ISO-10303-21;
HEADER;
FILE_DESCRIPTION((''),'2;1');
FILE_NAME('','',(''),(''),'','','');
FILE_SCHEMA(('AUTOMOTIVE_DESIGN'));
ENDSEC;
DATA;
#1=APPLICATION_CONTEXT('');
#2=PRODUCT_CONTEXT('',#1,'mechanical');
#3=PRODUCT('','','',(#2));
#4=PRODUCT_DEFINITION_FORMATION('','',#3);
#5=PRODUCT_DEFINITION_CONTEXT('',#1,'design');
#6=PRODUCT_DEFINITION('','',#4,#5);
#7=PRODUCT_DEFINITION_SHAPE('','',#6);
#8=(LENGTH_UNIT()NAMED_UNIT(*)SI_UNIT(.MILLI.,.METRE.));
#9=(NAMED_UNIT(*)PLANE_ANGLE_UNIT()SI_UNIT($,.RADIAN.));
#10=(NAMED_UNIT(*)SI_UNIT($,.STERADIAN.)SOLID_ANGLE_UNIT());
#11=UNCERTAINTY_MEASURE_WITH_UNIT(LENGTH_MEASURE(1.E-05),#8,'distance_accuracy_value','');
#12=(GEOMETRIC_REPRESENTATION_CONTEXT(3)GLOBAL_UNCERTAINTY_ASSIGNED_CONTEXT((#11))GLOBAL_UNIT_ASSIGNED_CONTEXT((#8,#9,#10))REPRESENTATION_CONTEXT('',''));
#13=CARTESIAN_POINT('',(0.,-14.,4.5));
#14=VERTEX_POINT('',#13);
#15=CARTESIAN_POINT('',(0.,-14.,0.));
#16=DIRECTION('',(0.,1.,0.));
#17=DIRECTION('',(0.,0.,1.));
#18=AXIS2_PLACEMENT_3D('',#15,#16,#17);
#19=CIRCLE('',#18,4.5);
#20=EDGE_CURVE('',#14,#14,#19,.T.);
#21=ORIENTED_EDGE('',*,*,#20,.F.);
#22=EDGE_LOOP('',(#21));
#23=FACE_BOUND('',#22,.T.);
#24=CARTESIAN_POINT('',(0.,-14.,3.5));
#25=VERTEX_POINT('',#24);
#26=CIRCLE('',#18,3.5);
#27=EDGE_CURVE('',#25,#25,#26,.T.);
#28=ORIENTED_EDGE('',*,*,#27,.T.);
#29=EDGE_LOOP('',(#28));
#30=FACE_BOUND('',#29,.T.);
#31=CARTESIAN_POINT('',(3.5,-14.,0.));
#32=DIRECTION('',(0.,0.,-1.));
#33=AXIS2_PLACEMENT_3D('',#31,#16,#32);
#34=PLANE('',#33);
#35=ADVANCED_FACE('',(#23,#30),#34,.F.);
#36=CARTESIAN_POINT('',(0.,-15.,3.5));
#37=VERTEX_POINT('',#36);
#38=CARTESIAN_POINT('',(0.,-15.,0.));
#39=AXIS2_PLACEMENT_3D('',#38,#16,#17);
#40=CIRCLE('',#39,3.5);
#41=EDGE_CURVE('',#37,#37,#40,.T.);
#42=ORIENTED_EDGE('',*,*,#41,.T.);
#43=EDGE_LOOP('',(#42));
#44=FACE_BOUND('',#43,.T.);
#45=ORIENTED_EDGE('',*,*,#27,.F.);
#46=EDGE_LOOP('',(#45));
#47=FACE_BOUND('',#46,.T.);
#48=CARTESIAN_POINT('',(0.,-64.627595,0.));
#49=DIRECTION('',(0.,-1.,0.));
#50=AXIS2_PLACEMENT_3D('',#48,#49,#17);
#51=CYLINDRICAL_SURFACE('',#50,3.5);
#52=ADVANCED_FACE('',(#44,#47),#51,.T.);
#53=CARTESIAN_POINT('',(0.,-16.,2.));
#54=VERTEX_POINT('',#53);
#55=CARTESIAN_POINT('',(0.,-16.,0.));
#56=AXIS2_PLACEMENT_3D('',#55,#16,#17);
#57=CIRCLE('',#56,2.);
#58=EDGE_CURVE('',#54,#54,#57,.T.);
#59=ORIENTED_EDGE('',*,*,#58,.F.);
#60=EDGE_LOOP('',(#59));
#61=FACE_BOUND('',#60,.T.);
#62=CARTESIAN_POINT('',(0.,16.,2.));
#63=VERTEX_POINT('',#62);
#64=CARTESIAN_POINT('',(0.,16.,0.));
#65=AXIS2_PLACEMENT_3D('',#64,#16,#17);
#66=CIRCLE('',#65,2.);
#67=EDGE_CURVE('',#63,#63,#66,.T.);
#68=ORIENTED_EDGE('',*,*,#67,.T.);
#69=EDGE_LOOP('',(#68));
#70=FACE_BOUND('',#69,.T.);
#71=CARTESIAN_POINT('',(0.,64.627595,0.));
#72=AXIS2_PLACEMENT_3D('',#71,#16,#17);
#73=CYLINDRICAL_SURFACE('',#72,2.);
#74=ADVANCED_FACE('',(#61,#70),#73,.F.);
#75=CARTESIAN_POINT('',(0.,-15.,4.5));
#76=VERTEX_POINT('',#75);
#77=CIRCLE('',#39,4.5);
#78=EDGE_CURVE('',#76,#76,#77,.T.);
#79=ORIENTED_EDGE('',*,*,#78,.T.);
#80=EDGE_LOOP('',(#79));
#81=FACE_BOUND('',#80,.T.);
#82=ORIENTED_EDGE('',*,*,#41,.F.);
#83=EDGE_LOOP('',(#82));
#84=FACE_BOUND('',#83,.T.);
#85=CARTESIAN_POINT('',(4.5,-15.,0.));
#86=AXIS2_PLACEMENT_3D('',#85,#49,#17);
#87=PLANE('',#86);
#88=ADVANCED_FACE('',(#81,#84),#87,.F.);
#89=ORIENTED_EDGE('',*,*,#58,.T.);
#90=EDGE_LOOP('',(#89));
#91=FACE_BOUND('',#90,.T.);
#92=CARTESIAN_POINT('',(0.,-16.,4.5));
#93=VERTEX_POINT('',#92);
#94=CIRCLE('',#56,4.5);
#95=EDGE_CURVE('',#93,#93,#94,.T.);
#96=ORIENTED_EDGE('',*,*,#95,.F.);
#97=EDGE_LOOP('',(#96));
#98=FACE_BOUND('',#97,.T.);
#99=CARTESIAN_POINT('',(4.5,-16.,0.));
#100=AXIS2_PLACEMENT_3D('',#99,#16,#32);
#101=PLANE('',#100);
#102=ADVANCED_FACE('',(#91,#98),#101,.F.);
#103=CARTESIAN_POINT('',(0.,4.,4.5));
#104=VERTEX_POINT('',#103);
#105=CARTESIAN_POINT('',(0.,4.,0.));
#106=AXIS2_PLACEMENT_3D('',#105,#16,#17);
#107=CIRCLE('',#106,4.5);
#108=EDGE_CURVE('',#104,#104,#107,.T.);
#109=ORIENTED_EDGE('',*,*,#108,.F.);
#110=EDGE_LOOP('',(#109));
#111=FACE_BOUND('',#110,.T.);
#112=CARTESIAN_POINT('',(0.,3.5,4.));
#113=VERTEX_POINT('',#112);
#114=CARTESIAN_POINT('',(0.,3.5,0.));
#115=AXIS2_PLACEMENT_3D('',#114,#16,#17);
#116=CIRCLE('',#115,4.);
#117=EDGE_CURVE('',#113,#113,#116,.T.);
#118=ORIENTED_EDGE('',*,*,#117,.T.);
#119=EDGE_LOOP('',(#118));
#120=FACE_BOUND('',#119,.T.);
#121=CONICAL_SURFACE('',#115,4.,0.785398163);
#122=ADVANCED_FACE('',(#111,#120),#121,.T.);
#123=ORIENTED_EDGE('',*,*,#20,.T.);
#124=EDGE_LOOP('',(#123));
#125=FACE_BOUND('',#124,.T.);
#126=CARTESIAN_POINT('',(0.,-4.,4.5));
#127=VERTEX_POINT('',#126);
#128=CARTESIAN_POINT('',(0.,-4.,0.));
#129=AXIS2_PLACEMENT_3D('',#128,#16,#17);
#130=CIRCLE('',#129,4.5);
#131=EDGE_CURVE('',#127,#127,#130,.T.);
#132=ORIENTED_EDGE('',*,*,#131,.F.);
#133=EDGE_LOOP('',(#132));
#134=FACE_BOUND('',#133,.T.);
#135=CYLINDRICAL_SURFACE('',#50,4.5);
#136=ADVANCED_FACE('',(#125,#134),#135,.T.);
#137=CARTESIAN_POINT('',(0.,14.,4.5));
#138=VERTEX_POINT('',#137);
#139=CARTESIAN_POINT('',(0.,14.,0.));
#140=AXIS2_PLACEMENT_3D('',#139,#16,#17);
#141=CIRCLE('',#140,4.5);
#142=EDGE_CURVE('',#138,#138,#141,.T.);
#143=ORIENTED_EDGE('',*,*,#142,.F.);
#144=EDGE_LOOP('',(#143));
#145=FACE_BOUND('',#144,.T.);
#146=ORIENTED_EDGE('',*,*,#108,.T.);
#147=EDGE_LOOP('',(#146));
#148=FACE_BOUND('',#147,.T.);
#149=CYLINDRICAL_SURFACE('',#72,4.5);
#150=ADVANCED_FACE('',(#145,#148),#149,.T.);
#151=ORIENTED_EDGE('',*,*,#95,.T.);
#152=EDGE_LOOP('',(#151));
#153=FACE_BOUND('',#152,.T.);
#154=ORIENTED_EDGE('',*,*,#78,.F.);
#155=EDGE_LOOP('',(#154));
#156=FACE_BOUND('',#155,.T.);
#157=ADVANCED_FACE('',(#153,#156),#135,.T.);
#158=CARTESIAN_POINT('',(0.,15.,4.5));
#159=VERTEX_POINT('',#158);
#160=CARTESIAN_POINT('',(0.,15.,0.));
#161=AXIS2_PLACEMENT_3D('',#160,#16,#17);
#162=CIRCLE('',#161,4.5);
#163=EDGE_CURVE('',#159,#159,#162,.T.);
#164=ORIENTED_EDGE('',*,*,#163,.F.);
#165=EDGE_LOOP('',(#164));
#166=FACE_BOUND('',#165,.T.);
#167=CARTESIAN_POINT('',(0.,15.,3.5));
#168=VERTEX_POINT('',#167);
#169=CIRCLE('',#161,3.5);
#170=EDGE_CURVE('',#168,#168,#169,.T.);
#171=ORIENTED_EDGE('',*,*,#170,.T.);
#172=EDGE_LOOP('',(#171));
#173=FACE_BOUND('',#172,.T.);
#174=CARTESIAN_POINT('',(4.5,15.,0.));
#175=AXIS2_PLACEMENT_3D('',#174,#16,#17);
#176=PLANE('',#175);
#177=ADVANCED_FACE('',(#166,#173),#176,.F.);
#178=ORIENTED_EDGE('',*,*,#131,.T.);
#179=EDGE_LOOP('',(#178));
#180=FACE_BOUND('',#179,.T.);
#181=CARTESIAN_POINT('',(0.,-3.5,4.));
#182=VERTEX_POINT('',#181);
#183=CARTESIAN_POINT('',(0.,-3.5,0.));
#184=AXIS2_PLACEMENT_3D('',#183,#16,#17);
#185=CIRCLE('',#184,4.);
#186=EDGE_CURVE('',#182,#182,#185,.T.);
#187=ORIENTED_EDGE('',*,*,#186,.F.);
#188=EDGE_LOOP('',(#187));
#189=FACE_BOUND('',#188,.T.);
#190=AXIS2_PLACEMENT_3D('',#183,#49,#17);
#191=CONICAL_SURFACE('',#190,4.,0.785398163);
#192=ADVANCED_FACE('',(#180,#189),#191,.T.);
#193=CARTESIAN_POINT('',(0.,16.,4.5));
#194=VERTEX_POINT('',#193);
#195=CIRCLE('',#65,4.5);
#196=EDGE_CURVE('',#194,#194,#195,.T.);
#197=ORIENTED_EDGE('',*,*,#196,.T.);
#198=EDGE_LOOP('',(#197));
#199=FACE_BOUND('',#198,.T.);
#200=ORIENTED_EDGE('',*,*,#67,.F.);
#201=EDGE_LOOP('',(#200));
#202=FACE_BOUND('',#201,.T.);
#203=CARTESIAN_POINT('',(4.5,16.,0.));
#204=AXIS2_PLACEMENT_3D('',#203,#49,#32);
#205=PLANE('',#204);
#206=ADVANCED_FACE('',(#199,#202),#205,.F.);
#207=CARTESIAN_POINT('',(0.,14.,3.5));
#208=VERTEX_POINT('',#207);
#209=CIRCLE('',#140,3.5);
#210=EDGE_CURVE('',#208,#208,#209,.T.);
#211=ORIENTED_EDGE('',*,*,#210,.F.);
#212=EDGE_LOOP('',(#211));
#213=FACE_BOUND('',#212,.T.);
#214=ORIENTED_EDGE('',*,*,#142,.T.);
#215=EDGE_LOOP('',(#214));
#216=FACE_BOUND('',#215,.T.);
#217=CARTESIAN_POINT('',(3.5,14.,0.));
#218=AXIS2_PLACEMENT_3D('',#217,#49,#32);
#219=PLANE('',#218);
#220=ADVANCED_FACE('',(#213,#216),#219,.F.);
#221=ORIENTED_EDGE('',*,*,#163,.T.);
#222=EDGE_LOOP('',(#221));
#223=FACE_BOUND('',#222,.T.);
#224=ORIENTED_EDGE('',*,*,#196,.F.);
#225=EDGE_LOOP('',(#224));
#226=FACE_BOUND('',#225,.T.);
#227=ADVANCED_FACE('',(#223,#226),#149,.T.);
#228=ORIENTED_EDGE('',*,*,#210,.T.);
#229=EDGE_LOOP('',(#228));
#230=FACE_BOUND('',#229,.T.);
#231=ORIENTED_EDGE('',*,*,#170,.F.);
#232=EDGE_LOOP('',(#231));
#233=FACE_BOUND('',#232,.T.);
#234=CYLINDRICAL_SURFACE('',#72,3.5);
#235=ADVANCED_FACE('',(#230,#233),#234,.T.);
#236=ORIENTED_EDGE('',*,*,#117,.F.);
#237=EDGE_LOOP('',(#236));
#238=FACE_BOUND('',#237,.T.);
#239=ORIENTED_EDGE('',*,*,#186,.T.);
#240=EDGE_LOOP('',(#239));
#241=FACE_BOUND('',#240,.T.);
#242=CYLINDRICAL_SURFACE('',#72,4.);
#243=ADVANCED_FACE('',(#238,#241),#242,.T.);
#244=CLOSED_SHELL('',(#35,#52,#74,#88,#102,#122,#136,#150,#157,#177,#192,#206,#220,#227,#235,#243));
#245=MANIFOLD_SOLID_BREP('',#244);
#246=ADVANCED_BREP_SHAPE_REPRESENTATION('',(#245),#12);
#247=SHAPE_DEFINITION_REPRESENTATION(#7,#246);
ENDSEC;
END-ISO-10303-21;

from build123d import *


with BuildPart() as part:
    # Эскиз1 → Повернуть1 (revolve)
    with BuildSketch(Plane.XY, mode=Mode.PRIVATE) as revolve_1_sk:
        Polygon((4.5, 16), (2, 16), (2, 0), (4, 0), (4, 3.5), (4.5, 4), (4.5, 14), (3.5, 14), (3.5, 15), (4.5, 15), align=None)
    revolve_1 = revolve(revolve_1_sk.sketch.rotate(Axis((0, 64.627595022, 0), (0, -1, 0)), 90), axis=Axis((0, 64.627595022, 0), (0, -1, 0)))


with BuildPart() as mirror_1_1:
    # Зеркальное отражение1: Повернуть1 across Top Plane
    add(revolve_1.mirror(Plane(origin=(0, 0, 0), x_dir=(1, 0, 0), z_dir=(0, 1, 0))))


with BuildPart() as part_1:
    add(part.part)

    # Зеркальное отражение1 united with what the copies tou: union Зеркальное отражение1_1
    add(mirror_1_1.part)


solid = part_1.part
